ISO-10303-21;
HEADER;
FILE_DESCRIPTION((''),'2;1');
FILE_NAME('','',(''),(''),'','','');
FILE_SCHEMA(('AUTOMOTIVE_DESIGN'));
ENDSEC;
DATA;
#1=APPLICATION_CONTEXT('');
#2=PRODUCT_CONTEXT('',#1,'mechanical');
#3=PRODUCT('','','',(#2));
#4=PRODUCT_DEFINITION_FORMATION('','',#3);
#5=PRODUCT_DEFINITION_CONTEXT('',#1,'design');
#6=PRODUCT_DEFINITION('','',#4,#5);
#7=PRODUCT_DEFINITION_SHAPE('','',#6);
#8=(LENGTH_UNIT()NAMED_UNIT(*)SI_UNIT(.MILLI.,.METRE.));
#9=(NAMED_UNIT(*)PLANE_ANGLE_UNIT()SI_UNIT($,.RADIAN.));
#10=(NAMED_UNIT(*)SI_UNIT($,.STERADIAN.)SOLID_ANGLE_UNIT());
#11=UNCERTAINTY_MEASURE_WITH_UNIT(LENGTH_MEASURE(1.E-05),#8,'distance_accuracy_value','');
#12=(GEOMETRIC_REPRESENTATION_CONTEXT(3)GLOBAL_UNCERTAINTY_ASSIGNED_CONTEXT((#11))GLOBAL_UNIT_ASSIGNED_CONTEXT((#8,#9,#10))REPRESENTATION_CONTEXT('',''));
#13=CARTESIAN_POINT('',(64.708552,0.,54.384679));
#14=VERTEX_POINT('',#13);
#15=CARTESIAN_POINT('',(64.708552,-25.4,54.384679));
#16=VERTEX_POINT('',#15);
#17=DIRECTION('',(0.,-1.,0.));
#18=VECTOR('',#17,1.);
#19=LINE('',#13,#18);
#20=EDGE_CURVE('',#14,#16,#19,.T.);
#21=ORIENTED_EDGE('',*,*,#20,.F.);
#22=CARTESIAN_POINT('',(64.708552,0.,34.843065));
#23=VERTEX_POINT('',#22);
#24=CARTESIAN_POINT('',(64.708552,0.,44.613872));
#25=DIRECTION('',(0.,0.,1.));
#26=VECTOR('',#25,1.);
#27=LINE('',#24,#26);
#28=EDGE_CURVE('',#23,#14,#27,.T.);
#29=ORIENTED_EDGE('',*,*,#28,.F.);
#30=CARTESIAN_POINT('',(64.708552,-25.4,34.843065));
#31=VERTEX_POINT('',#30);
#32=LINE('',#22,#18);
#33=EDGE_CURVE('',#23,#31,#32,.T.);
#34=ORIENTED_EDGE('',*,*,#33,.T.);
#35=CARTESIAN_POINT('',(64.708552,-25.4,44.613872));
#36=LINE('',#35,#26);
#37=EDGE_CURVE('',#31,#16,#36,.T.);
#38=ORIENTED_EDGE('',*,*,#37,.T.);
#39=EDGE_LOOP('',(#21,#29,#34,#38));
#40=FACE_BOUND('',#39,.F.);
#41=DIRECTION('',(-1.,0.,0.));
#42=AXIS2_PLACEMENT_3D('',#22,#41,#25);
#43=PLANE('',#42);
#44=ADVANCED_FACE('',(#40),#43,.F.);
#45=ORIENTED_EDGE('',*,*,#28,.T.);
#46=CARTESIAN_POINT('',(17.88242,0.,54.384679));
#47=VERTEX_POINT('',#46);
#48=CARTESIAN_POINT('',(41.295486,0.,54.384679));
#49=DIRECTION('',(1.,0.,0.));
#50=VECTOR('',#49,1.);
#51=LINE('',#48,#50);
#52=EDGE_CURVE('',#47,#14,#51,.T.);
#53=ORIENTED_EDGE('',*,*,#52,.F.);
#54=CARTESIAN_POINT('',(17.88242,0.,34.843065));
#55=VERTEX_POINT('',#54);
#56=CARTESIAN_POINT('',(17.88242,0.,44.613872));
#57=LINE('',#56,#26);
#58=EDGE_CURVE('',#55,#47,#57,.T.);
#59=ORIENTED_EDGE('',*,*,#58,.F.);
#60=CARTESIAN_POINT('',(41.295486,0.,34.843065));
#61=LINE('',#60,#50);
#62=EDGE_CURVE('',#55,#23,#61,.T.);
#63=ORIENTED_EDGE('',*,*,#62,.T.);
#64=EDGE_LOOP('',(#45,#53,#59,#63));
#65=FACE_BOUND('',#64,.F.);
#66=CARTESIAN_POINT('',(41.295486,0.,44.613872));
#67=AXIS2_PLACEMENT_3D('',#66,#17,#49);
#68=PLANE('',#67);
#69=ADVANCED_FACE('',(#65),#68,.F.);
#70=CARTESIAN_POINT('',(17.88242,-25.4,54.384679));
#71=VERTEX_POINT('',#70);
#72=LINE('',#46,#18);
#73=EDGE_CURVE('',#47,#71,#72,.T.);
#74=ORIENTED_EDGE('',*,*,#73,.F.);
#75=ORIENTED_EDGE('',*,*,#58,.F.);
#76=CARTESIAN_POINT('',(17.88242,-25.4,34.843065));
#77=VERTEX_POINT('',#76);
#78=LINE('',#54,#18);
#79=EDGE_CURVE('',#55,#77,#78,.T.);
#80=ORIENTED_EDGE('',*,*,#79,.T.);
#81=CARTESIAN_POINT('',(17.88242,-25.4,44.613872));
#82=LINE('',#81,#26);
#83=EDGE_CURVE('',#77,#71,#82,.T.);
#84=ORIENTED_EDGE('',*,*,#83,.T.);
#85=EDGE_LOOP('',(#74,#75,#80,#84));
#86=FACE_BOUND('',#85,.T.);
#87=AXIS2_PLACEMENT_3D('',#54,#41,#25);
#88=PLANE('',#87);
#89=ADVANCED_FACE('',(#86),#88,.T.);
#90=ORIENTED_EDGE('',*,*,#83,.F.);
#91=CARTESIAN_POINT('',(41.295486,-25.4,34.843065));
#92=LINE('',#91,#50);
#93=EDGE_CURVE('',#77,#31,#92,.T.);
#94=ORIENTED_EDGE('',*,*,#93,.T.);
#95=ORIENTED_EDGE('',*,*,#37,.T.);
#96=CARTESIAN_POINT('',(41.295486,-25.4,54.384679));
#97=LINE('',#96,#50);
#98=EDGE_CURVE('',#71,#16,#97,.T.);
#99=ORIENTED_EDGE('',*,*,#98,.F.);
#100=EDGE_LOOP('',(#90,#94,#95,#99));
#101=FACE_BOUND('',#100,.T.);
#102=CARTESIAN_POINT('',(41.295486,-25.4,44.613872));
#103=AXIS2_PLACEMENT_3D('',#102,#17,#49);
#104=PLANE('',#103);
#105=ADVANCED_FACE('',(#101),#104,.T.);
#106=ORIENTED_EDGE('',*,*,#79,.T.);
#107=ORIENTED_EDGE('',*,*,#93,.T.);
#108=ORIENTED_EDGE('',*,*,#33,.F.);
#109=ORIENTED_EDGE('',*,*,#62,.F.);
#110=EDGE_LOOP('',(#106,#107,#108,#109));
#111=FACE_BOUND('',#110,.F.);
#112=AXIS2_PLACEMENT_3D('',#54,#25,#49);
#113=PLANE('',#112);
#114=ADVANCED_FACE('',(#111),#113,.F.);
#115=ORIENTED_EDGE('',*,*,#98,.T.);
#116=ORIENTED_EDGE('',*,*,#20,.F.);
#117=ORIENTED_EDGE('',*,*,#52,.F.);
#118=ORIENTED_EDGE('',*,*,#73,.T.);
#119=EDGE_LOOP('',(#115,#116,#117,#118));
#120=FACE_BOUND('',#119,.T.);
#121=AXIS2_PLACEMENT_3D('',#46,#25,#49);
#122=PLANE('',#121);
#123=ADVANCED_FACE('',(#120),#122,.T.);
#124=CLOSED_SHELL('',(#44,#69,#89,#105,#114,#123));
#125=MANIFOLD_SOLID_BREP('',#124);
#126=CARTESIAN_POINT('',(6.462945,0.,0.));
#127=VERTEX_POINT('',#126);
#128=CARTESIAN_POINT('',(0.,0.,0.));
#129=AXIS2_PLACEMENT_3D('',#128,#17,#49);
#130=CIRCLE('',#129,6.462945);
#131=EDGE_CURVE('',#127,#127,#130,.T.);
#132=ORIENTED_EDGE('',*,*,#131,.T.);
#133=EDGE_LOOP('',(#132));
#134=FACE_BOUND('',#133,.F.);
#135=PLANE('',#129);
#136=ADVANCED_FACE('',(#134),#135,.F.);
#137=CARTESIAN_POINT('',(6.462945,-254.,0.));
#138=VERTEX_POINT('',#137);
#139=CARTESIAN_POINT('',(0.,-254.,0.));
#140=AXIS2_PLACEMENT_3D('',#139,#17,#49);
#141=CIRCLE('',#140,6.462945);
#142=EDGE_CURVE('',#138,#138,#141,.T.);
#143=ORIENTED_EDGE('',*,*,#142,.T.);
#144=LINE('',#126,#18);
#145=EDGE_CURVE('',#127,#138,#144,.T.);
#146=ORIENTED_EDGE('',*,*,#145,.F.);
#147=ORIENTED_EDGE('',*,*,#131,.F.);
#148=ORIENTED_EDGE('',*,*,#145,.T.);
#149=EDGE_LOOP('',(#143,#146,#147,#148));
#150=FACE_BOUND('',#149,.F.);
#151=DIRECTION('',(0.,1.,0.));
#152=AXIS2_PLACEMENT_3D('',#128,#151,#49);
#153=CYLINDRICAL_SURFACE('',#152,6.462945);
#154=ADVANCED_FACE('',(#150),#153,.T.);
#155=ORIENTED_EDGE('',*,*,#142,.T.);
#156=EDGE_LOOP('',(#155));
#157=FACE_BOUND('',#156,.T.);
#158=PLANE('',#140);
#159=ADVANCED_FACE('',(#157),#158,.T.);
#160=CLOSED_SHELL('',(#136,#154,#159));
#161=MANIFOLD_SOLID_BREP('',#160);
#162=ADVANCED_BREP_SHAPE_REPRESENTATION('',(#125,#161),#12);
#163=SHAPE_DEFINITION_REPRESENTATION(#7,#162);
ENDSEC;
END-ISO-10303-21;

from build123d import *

# Parameters (mm, degrees)
F0_R     = 6.462945
F1_DEPTH = 254
F0_W     = 46.826133
F0_H     = 19.541614
F2_DEPTH = 25.4


with BuildPart() as f1:
    # F0 (on Front) → F1 (new body)
    with BuildSketch(Plane.XZ):
        Circle(F0_R)
    extrude(amount=F1_DEPTH)


with BuildPart() as f2:
    # F0 (on Front) → F2 (new body)
    with BuildSketch(Plane.XZ):
        with Locations((41.295486, 44.613872)):
            Rectangle(F0_W, F0_H)
    extrude(amount=F2_DEPTH)


solid = Compound([f1.part, f2.part])
